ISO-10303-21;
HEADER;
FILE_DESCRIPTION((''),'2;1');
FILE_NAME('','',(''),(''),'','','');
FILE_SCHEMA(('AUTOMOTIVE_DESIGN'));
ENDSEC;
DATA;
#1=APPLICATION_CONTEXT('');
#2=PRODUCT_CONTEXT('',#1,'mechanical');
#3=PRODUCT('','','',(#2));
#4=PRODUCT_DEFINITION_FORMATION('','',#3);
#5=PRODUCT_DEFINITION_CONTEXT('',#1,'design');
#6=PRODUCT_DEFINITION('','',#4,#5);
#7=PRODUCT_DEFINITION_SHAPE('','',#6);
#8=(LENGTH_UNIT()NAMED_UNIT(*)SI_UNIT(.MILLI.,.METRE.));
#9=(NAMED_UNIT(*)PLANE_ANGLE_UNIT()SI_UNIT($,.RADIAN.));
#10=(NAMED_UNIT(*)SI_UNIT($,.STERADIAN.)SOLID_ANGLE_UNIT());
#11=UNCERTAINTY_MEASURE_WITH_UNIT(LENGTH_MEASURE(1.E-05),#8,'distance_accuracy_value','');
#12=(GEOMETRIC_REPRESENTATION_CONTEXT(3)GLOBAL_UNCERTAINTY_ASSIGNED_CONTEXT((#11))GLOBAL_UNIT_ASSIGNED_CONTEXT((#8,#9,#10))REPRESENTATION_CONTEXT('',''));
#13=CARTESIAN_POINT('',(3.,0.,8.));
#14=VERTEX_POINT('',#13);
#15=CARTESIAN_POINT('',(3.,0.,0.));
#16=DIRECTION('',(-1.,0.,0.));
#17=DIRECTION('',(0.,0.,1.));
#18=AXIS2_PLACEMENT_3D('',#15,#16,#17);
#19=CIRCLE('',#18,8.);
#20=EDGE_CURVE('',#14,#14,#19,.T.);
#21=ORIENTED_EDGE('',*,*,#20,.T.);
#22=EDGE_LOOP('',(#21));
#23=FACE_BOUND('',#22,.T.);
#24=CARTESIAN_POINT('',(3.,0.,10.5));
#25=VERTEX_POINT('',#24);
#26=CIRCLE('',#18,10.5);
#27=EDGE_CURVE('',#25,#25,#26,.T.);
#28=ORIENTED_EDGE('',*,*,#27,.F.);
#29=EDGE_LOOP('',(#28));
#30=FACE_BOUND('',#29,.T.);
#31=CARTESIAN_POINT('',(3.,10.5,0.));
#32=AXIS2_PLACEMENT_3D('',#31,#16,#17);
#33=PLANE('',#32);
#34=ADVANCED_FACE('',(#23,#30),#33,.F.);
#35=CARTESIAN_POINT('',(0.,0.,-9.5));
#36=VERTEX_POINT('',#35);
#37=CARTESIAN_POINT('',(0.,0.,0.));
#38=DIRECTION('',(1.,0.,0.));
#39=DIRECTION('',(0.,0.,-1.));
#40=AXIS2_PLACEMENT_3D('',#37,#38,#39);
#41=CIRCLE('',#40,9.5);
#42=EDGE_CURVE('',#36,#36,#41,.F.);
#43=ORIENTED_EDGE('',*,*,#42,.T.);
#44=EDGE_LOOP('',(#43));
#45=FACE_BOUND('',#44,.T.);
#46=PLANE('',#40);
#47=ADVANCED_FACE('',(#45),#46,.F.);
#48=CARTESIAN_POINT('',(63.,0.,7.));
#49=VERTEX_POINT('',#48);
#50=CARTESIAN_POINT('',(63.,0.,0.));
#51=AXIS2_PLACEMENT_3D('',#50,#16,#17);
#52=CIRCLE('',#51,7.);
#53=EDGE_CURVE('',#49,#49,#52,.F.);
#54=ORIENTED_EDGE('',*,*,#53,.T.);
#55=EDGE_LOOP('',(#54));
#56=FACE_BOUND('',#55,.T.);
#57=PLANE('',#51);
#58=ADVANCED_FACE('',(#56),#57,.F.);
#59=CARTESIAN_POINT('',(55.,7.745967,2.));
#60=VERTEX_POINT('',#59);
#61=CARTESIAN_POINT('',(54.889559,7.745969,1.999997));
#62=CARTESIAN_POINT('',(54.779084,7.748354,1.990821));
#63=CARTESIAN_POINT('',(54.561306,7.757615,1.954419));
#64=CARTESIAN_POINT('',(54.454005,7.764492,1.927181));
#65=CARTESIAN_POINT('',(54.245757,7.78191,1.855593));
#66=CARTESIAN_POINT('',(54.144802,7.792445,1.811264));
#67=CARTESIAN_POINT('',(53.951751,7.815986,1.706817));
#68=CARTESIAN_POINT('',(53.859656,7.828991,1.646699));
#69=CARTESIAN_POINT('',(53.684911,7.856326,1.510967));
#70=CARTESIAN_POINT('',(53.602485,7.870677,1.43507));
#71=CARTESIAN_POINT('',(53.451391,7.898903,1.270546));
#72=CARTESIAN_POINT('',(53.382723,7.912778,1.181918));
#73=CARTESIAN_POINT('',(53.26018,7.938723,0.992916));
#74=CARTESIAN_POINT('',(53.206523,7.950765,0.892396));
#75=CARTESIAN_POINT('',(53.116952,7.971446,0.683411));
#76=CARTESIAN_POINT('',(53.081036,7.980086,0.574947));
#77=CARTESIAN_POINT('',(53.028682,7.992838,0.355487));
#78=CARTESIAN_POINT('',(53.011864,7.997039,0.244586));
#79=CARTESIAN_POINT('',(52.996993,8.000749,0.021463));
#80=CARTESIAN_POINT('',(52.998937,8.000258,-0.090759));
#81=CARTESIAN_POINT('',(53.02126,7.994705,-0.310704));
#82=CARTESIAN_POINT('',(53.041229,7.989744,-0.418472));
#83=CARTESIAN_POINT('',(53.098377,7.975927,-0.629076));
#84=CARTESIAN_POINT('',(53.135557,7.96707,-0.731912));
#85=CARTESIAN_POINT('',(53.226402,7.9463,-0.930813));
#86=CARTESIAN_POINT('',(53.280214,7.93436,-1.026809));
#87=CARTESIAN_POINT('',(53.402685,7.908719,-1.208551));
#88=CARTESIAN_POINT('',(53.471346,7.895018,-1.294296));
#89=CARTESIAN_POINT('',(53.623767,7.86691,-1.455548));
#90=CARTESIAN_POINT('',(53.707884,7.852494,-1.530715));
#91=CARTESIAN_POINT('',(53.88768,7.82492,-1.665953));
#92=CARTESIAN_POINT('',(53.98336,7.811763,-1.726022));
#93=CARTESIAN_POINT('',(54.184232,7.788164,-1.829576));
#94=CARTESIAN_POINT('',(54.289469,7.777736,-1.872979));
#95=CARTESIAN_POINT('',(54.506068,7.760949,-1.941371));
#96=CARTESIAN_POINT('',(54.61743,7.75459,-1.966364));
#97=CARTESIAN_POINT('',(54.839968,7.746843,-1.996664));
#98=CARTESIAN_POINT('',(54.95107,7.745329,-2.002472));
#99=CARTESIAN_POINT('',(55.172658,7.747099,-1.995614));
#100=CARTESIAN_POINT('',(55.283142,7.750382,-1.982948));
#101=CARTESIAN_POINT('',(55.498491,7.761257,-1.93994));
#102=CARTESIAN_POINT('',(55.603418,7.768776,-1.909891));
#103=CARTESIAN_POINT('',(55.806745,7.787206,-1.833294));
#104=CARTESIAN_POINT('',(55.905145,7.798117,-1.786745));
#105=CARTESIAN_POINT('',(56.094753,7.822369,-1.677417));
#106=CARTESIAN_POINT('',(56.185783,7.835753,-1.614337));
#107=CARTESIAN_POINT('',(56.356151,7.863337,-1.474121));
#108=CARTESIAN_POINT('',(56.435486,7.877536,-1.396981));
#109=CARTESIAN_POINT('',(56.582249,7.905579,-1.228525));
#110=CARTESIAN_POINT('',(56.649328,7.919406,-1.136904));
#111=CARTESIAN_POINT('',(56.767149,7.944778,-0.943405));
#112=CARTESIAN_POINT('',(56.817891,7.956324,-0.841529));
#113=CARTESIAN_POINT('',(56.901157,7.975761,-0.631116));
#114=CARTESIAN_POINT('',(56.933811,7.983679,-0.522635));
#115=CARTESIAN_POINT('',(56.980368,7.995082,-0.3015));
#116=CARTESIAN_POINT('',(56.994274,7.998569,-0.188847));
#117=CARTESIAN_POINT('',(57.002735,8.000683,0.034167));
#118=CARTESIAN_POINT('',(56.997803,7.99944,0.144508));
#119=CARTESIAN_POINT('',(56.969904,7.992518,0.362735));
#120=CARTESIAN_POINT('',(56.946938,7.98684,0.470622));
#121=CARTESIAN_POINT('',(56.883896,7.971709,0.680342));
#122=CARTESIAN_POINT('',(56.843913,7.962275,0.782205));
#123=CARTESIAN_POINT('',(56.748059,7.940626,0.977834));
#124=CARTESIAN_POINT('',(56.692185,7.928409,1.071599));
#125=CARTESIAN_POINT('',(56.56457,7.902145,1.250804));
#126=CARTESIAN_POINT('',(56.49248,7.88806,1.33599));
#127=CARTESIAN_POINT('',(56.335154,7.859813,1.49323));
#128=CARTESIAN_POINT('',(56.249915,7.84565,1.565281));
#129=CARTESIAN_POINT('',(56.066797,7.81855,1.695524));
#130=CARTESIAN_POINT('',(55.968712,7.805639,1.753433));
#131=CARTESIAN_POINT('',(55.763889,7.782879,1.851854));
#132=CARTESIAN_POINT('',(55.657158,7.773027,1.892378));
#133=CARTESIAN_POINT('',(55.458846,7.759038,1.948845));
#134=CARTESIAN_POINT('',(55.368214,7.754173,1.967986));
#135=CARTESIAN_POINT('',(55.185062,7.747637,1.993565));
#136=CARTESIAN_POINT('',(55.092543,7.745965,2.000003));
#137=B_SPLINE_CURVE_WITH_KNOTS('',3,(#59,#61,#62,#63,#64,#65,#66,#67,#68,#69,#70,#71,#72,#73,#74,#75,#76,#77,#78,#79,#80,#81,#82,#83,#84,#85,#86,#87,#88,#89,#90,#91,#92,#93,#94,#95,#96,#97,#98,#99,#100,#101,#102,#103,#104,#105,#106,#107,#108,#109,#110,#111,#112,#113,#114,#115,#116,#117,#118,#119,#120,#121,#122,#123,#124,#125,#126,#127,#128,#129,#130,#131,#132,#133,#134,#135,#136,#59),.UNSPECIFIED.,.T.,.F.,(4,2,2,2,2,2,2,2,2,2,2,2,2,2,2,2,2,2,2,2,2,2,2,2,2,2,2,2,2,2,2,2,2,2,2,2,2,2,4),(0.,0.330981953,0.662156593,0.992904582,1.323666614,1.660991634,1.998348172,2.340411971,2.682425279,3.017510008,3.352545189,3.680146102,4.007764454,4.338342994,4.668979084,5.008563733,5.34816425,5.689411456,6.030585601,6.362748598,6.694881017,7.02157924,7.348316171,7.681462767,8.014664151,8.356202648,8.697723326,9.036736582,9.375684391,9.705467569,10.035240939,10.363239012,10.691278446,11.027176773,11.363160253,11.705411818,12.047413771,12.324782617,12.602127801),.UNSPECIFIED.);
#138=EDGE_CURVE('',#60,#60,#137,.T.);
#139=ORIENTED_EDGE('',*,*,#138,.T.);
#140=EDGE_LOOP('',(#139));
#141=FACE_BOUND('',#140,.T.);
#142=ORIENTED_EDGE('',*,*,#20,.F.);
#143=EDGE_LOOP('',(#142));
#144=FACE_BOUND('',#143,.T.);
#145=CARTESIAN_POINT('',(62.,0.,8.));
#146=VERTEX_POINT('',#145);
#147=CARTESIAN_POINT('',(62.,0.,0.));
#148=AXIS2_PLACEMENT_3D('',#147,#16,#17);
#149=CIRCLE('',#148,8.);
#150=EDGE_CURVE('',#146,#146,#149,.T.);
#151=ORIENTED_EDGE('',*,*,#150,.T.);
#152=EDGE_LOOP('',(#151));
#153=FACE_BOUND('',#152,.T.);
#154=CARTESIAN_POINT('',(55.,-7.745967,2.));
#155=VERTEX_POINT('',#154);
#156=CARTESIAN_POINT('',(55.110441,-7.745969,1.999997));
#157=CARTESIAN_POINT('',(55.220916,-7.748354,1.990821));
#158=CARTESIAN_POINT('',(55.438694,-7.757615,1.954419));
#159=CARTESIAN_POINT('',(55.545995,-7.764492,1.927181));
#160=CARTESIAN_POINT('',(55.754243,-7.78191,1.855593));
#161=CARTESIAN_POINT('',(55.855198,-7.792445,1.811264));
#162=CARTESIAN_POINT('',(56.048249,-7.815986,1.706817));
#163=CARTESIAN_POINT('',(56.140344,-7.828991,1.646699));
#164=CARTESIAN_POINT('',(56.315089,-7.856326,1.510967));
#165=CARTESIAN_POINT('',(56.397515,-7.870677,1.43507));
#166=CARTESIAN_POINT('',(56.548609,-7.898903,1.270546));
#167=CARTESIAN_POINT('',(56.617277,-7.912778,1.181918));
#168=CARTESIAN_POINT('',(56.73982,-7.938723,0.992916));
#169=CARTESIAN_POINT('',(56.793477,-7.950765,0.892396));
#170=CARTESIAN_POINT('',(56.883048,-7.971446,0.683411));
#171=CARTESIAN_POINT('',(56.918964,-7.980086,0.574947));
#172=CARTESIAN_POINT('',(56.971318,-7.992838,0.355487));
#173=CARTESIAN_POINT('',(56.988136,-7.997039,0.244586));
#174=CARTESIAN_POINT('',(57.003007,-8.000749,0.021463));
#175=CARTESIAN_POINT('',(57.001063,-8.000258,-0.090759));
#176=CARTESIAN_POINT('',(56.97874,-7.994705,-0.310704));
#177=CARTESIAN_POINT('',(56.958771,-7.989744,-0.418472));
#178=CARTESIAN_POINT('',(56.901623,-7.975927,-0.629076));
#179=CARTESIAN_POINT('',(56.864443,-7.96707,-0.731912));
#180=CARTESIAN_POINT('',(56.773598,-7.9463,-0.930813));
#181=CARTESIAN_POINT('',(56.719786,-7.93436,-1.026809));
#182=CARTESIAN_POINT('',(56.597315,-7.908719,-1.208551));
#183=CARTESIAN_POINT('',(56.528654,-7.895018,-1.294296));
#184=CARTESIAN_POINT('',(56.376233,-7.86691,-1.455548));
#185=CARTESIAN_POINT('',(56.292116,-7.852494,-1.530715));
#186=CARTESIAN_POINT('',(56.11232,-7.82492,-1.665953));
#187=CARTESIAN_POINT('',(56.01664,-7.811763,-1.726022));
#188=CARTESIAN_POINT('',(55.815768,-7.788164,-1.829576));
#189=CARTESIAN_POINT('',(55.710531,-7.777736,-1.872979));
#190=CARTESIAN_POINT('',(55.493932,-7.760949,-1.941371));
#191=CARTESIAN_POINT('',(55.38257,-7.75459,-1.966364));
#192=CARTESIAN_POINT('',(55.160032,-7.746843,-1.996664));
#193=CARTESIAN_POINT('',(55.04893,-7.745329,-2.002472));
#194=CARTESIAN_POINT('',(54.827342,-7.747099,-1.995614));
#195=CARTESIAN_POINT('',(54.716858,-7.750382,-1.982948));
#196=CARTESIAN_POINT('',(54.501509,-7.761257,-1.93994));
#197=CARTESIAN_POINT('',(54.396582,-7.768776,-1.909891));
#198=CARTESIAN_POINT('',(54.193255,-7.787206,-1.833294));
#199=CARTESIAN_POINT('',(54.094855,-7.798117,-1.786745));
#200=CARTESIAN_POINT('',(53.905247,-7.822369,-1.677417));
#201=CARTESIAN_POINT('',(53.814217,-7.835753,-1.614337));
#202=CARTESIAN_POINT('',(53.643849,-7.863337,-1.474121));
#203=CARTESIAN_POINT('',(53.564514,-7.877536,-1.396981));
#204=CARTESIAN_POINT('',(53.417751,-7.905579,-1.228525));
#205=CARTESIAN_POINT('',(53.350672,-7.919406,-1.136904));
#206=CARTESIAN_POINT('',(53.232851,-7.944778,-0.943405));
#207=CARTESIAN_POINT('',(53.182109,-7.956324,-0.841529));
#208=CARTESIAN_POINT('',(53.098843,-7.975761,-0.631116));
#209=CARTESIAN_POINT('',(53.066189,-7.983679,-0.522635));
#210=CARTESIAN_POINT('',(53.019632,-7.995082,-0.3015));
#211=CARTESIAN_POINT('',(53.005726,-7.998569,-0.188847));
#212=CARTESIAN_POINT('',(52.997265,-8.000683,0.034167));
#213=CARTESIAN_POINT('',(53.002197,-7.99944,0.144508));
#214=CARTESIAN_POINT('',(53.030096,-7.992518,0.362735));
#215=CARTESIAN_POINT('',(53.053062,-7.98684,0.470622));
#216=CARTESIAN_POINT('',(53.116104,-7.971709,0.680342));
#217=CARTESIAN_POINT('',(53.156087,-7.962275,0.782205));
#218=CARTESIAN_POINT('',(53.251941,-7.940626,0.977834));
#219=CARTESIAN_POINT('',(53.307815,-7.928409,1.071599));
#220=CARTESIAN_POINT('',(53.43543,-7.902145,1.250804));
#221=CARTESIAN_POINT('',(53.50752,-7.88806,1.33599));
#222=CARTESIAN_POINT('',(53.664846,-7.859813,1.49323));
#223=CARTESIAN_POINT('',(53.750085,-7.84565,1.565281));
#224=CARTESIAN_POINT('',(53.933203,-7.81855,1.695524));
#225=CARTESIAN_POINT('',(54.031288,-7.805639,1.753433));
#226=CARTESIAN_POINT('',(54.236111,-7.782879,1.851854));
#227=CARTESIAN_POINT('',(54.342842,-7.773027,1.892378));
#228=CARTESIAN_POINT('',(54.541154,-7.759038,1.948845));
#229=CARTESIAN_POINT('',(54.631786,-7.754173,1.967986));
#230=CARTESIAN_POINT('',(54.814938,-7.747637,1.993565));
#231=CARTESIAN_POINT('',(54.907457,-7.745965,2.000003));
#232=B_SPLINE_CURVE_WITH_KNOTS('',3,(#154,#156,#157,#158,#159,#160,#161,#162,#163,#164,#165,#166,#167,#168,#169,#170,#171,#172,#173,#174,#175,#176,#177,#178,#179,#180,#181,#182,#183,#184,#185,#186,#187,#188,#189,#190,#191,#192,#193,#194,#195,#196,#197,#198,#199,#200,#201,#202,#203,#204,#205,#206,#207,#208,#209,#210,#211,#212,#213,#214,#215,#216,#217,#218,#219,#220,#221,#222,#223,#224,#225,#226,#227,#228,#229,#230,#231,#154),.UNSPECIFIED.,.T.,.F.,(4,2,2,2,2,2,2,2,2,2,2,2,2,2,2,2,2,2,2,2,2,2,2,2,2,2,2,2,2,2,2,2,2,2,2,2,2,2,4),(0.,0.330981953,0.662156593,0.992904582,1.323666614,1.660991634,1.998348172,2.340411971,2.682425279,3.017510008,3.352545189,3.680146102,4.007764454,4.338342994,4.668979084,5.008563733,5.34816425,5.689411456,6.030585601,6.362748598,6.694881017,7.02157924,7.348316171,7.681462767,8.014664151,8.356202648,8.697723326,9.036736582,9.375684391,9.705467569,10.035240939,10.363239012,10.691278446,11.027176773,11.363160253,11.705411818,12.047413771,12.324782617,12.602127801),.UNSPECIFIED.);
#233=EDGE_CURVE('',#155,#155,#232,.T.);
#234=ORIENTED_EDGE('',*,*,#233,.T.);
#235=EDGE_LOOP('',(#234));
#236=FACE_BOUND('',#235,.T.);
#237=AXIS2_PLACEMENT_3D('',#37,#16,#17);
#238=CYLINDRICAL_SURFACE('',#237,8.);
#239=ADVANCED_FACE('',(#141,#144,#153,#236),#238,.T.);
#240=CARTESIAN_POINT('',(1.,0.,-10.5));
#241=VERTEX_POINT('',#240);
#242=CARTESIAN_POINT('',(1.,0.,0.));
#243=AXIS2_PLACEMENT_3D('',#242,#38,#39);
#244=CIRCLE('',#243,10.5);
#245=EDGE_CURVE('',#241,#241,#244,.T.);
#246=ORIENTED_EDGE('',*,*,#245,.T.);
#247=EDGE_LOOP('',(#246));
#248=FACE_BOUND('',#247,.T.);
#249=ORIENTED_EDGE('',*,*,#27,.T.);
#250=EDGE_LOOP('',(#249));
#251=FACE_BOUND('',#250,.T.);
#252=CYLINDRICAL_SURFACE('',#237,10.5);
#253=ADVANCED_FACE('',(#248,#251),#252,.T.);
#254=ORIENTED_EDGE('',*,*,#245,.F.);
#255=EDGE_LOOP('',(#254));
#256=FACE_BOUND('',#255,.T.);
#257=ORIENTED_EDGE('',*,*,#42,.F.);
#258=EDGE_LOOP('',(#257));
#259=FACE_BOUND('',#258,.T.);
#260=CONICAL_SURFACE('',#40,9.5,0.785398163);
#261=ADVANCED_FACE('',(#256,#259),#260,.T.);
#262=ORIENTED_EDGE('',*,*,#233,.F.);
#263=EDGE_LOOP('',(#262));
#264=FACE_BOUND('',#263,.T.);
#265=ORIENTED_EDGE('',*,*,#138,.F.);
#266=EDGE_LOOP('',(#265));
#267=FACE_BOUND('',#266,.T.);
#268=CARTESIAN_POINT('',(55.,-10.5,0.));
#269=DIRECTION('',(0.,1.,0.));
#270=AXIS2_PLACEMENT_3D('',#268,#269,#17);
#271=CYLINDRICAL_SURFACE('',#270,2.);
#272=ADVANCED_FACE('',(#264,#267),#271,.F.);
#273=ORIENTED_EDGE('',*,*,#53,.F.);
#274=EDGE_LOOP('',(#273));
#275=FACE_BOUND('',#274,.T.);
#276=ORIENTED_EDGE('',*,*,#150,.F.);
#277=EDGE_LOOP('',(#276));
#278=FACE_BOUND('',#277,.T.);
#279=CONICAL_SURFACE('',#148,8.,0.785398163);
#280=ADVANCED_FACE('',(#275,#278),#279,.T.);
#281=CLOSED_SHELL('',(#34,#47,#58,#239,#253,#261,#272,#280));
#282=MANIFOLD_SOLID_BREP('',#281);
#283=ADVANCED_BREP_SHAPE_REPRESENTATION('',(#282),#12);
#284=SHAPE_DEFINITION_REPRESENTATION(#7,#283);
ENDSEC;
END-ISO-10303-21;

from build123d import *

# Parameters (mm, degrees)
SFAZOWANIE2_SIZE                = 1
SZKIC2_R                        = 2
WYTNIJ_WYCI_GNI_CIE1_DEPTH      = 11.5
WYTNIJ_WYCI_GNI_CIE1_DEPTH_BACK = 11.5


with BuildPart() as part:
    # Szkic1 → Obrót1 (revolve)
    with BuildSketch(Plane.XY):
        Polygon((0, 0), (0, 10.5), (3, 10.5), (3, 8), (63, 8), (63, 0), align=None)
    revolve(axis=Axis((0, 0, 0), (1, 0, 0)))

    # Sfazowanie2
    sfazowanie2_edges = [part.edges().sort_by_distance(p)[0] for p in [
        (0, -10.5, 0),
        (63, -8, 0),
    ]]
    chamfer(sfazowanie2_edges, length=SFAZOWANIE2_SIZE)

    # Szkic2 → Wytnij-wyciągnięcie1 (cut, two sides)
    with BuildSketch(Plane(origin=(0, 0, 0), x_dir=(1, 0, 0), z_dir=(0, 1, 0))) as wytnij_wyci_gni_cie1_sk:
        with Locations((55, 0)):
            Circle(SZKIC2_R)
    extrude(amount=WYTNIJ_WYCI_GNI_CIE1_DEPTH, mode=Mode.SUBTRACT)
    extrude(wytnij_wyci_gni_cie1_sk.sketch, amount=-WYTNIJ_WYCI_GNI_CIE1_DEPTH_BACK, mode=Mode.SUBTRACT)


solid = part.part
